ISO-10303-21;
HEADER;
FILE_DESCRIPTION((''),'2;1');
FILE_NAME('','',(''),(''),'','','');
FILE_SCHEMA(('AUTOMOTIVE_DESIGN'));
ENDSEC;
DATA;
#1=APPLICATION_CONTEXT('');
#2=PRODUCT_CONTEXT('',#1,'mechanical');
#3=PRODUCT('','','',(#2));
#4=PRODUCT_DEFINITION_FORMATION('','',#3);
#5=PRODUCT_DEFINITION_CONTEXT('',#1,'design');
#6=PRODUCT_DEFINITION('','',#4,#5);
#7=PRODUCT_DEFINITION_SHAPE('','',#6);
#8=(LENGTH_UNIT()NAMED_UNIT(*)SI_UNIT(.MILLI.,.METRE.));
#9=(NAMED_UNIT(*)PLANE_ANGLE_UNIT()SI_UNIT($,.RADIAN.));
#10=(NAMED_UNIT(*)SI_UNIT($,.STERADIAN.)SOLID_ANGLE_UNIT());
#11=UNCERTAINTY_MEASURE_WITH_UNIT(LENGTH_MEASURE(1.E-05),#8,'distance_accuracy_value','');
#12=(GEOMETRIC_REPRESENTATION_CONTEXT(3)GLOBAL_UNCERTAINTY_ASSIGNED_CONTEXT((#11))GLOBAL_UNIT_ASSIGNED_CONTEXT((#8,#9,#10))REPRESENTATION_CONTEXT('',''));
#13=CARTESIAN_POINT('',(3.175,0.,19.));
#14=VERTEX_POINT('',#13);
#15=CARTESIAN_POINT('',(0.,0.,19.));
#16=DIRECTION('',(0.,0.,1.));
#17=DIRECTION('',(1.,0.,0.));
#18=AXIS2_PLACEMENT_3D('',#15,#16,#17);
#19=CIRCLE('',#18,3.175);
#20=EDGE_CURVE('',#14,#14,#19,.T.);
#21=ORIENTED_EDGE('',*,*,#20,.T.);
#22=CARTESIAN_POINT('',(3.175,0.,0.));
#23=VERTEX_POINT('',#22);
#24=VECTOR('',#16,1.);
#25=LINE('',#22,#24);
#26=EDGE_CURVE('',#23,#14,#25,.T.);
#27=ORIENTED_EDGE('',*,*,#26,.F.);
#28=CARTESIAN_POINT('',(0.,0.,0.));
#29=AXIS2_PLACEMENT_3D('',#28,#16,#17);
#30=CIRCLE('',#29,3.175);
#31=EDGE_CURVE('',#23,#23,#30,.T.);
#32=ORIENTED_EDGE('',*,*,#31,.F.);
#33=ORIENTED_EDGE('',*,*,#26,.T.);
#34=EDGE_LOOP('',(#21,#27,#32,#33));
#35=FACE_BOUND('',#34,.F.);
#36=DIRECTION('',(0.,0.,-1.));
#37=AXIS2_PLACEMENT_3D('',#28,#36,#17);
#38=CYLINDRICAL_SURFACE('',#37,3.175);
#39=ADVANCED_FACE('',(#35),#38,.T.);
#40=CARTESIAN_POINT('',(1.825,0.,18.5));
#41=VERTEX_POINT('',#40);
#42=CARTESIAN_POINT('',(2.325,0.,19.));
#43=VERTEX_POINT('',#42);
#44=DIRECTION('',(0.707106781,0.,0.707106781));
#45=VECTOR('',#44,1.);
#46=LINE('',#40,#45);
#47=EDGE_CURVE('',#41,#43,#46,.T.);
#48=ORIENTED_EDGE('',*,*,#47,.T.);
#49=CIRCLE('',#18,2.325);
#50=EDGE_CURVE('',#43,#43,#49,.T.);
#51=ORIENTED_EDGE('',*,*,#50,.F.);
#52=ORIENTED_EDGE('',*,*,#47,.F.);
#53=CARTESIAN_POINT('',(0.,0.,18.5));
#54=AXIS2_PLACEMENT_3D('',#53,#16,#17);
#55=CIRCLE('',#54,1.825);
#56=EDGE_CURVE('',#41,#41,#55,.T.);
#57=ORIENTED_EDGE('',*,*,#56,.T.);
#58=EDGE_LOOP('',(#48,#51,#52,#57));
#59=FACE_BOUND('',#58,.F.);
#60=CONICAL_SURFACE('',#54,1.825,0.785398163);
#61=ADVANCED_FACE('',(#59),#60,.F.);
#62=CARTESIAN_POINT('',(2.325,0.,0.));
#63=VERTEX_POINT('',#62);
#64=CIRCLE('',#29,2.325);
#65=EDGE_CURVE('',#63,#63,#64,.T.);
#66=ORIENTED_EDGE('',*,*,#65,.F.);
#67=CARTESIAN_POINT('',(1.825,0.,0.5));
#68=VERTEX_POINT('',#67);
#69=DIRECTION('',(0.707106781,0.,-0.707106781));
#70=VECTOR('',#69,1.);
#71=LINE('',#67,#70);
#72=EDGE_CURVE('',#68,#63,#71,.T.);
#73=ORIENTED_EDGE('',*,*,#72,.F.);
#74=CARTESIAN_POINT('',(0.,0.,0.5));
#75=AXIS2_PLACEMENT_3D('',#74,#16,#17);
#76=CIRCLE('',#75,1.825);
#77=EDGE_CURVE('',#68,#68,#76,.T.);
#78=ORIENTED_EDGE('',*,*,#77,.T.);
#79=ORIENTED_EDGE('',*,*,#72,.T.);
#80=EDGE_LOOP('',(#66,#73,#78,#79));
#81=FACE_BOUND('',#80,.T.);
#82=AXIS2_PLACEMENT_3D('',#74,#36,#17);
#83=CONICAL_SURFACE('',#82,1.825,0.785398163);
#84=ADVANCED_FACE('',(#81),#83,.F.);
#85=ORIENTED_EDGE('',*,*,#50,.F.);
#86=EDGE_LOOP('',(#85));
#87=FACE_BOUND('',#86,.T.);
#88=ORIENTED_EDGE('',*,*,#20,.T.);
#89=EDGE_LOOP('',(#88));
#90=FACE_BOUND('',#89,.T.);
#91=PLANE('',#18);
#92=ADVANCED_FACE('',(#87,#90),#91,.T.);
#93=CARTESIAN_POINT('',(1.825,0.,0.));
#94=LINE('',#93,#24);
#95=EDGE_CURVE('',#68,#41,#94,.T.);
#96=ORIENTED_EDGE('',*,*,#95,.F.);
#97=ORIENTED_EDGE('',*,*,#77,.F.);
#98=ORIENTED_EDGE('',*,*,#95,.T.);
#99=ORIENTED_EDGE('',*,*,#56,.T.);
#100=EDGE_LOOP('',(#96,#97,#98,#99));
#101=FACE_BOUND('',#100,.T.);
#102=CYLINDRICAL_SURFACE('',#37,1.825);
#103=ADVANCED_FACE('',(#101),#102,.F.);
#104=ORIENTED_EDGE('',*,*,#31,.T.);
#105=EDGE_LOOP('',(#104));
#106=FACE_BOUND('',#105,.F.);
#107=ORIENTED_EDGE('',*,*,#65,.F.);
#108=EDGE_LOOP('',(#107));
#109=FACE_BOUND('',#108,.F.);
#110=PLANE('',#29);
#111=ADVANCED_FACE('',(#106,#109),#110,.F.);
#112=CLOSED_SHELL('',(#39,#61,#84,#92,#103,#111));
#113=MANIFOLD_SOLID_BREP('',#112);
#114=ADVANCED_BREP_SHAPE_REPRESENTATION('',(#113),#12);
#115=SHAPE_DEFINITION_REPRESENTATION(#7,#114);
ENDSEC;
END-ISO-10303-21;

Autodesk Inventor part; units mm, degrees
ref_plane "YZ Plane" through (0, 0, 0) normal (1, 0, 0) x (0, 1, 0)
ref_plane "XZ Plane" through (0, 0, 0) normal (0, 1, 0) x (-1, 0, 0)
ref_plane "XY Plane" through (0, 0, 0) normal (0, 0, 1) x (1, 0, 0)
sketch "Sketch1" plane through (0, 0, 0) normal (0, 0, 1) x (1, 0, 0)
  circle A0 centre (0, 0) radius 3.175
  circle A1 centre (0, 0) radius 1.825
  dimension "d0" = 6.35
  dimension "d1" = 3.65
extrude "Extrusion1" add sketch "Sketch1" along normal blind 19
chamfer "Chamfer1" distance 0.5 angle 45 2 edges at (-1.825, 0, 19) (-1.825, 0, 0)
properties part number "Linkage Mount"
